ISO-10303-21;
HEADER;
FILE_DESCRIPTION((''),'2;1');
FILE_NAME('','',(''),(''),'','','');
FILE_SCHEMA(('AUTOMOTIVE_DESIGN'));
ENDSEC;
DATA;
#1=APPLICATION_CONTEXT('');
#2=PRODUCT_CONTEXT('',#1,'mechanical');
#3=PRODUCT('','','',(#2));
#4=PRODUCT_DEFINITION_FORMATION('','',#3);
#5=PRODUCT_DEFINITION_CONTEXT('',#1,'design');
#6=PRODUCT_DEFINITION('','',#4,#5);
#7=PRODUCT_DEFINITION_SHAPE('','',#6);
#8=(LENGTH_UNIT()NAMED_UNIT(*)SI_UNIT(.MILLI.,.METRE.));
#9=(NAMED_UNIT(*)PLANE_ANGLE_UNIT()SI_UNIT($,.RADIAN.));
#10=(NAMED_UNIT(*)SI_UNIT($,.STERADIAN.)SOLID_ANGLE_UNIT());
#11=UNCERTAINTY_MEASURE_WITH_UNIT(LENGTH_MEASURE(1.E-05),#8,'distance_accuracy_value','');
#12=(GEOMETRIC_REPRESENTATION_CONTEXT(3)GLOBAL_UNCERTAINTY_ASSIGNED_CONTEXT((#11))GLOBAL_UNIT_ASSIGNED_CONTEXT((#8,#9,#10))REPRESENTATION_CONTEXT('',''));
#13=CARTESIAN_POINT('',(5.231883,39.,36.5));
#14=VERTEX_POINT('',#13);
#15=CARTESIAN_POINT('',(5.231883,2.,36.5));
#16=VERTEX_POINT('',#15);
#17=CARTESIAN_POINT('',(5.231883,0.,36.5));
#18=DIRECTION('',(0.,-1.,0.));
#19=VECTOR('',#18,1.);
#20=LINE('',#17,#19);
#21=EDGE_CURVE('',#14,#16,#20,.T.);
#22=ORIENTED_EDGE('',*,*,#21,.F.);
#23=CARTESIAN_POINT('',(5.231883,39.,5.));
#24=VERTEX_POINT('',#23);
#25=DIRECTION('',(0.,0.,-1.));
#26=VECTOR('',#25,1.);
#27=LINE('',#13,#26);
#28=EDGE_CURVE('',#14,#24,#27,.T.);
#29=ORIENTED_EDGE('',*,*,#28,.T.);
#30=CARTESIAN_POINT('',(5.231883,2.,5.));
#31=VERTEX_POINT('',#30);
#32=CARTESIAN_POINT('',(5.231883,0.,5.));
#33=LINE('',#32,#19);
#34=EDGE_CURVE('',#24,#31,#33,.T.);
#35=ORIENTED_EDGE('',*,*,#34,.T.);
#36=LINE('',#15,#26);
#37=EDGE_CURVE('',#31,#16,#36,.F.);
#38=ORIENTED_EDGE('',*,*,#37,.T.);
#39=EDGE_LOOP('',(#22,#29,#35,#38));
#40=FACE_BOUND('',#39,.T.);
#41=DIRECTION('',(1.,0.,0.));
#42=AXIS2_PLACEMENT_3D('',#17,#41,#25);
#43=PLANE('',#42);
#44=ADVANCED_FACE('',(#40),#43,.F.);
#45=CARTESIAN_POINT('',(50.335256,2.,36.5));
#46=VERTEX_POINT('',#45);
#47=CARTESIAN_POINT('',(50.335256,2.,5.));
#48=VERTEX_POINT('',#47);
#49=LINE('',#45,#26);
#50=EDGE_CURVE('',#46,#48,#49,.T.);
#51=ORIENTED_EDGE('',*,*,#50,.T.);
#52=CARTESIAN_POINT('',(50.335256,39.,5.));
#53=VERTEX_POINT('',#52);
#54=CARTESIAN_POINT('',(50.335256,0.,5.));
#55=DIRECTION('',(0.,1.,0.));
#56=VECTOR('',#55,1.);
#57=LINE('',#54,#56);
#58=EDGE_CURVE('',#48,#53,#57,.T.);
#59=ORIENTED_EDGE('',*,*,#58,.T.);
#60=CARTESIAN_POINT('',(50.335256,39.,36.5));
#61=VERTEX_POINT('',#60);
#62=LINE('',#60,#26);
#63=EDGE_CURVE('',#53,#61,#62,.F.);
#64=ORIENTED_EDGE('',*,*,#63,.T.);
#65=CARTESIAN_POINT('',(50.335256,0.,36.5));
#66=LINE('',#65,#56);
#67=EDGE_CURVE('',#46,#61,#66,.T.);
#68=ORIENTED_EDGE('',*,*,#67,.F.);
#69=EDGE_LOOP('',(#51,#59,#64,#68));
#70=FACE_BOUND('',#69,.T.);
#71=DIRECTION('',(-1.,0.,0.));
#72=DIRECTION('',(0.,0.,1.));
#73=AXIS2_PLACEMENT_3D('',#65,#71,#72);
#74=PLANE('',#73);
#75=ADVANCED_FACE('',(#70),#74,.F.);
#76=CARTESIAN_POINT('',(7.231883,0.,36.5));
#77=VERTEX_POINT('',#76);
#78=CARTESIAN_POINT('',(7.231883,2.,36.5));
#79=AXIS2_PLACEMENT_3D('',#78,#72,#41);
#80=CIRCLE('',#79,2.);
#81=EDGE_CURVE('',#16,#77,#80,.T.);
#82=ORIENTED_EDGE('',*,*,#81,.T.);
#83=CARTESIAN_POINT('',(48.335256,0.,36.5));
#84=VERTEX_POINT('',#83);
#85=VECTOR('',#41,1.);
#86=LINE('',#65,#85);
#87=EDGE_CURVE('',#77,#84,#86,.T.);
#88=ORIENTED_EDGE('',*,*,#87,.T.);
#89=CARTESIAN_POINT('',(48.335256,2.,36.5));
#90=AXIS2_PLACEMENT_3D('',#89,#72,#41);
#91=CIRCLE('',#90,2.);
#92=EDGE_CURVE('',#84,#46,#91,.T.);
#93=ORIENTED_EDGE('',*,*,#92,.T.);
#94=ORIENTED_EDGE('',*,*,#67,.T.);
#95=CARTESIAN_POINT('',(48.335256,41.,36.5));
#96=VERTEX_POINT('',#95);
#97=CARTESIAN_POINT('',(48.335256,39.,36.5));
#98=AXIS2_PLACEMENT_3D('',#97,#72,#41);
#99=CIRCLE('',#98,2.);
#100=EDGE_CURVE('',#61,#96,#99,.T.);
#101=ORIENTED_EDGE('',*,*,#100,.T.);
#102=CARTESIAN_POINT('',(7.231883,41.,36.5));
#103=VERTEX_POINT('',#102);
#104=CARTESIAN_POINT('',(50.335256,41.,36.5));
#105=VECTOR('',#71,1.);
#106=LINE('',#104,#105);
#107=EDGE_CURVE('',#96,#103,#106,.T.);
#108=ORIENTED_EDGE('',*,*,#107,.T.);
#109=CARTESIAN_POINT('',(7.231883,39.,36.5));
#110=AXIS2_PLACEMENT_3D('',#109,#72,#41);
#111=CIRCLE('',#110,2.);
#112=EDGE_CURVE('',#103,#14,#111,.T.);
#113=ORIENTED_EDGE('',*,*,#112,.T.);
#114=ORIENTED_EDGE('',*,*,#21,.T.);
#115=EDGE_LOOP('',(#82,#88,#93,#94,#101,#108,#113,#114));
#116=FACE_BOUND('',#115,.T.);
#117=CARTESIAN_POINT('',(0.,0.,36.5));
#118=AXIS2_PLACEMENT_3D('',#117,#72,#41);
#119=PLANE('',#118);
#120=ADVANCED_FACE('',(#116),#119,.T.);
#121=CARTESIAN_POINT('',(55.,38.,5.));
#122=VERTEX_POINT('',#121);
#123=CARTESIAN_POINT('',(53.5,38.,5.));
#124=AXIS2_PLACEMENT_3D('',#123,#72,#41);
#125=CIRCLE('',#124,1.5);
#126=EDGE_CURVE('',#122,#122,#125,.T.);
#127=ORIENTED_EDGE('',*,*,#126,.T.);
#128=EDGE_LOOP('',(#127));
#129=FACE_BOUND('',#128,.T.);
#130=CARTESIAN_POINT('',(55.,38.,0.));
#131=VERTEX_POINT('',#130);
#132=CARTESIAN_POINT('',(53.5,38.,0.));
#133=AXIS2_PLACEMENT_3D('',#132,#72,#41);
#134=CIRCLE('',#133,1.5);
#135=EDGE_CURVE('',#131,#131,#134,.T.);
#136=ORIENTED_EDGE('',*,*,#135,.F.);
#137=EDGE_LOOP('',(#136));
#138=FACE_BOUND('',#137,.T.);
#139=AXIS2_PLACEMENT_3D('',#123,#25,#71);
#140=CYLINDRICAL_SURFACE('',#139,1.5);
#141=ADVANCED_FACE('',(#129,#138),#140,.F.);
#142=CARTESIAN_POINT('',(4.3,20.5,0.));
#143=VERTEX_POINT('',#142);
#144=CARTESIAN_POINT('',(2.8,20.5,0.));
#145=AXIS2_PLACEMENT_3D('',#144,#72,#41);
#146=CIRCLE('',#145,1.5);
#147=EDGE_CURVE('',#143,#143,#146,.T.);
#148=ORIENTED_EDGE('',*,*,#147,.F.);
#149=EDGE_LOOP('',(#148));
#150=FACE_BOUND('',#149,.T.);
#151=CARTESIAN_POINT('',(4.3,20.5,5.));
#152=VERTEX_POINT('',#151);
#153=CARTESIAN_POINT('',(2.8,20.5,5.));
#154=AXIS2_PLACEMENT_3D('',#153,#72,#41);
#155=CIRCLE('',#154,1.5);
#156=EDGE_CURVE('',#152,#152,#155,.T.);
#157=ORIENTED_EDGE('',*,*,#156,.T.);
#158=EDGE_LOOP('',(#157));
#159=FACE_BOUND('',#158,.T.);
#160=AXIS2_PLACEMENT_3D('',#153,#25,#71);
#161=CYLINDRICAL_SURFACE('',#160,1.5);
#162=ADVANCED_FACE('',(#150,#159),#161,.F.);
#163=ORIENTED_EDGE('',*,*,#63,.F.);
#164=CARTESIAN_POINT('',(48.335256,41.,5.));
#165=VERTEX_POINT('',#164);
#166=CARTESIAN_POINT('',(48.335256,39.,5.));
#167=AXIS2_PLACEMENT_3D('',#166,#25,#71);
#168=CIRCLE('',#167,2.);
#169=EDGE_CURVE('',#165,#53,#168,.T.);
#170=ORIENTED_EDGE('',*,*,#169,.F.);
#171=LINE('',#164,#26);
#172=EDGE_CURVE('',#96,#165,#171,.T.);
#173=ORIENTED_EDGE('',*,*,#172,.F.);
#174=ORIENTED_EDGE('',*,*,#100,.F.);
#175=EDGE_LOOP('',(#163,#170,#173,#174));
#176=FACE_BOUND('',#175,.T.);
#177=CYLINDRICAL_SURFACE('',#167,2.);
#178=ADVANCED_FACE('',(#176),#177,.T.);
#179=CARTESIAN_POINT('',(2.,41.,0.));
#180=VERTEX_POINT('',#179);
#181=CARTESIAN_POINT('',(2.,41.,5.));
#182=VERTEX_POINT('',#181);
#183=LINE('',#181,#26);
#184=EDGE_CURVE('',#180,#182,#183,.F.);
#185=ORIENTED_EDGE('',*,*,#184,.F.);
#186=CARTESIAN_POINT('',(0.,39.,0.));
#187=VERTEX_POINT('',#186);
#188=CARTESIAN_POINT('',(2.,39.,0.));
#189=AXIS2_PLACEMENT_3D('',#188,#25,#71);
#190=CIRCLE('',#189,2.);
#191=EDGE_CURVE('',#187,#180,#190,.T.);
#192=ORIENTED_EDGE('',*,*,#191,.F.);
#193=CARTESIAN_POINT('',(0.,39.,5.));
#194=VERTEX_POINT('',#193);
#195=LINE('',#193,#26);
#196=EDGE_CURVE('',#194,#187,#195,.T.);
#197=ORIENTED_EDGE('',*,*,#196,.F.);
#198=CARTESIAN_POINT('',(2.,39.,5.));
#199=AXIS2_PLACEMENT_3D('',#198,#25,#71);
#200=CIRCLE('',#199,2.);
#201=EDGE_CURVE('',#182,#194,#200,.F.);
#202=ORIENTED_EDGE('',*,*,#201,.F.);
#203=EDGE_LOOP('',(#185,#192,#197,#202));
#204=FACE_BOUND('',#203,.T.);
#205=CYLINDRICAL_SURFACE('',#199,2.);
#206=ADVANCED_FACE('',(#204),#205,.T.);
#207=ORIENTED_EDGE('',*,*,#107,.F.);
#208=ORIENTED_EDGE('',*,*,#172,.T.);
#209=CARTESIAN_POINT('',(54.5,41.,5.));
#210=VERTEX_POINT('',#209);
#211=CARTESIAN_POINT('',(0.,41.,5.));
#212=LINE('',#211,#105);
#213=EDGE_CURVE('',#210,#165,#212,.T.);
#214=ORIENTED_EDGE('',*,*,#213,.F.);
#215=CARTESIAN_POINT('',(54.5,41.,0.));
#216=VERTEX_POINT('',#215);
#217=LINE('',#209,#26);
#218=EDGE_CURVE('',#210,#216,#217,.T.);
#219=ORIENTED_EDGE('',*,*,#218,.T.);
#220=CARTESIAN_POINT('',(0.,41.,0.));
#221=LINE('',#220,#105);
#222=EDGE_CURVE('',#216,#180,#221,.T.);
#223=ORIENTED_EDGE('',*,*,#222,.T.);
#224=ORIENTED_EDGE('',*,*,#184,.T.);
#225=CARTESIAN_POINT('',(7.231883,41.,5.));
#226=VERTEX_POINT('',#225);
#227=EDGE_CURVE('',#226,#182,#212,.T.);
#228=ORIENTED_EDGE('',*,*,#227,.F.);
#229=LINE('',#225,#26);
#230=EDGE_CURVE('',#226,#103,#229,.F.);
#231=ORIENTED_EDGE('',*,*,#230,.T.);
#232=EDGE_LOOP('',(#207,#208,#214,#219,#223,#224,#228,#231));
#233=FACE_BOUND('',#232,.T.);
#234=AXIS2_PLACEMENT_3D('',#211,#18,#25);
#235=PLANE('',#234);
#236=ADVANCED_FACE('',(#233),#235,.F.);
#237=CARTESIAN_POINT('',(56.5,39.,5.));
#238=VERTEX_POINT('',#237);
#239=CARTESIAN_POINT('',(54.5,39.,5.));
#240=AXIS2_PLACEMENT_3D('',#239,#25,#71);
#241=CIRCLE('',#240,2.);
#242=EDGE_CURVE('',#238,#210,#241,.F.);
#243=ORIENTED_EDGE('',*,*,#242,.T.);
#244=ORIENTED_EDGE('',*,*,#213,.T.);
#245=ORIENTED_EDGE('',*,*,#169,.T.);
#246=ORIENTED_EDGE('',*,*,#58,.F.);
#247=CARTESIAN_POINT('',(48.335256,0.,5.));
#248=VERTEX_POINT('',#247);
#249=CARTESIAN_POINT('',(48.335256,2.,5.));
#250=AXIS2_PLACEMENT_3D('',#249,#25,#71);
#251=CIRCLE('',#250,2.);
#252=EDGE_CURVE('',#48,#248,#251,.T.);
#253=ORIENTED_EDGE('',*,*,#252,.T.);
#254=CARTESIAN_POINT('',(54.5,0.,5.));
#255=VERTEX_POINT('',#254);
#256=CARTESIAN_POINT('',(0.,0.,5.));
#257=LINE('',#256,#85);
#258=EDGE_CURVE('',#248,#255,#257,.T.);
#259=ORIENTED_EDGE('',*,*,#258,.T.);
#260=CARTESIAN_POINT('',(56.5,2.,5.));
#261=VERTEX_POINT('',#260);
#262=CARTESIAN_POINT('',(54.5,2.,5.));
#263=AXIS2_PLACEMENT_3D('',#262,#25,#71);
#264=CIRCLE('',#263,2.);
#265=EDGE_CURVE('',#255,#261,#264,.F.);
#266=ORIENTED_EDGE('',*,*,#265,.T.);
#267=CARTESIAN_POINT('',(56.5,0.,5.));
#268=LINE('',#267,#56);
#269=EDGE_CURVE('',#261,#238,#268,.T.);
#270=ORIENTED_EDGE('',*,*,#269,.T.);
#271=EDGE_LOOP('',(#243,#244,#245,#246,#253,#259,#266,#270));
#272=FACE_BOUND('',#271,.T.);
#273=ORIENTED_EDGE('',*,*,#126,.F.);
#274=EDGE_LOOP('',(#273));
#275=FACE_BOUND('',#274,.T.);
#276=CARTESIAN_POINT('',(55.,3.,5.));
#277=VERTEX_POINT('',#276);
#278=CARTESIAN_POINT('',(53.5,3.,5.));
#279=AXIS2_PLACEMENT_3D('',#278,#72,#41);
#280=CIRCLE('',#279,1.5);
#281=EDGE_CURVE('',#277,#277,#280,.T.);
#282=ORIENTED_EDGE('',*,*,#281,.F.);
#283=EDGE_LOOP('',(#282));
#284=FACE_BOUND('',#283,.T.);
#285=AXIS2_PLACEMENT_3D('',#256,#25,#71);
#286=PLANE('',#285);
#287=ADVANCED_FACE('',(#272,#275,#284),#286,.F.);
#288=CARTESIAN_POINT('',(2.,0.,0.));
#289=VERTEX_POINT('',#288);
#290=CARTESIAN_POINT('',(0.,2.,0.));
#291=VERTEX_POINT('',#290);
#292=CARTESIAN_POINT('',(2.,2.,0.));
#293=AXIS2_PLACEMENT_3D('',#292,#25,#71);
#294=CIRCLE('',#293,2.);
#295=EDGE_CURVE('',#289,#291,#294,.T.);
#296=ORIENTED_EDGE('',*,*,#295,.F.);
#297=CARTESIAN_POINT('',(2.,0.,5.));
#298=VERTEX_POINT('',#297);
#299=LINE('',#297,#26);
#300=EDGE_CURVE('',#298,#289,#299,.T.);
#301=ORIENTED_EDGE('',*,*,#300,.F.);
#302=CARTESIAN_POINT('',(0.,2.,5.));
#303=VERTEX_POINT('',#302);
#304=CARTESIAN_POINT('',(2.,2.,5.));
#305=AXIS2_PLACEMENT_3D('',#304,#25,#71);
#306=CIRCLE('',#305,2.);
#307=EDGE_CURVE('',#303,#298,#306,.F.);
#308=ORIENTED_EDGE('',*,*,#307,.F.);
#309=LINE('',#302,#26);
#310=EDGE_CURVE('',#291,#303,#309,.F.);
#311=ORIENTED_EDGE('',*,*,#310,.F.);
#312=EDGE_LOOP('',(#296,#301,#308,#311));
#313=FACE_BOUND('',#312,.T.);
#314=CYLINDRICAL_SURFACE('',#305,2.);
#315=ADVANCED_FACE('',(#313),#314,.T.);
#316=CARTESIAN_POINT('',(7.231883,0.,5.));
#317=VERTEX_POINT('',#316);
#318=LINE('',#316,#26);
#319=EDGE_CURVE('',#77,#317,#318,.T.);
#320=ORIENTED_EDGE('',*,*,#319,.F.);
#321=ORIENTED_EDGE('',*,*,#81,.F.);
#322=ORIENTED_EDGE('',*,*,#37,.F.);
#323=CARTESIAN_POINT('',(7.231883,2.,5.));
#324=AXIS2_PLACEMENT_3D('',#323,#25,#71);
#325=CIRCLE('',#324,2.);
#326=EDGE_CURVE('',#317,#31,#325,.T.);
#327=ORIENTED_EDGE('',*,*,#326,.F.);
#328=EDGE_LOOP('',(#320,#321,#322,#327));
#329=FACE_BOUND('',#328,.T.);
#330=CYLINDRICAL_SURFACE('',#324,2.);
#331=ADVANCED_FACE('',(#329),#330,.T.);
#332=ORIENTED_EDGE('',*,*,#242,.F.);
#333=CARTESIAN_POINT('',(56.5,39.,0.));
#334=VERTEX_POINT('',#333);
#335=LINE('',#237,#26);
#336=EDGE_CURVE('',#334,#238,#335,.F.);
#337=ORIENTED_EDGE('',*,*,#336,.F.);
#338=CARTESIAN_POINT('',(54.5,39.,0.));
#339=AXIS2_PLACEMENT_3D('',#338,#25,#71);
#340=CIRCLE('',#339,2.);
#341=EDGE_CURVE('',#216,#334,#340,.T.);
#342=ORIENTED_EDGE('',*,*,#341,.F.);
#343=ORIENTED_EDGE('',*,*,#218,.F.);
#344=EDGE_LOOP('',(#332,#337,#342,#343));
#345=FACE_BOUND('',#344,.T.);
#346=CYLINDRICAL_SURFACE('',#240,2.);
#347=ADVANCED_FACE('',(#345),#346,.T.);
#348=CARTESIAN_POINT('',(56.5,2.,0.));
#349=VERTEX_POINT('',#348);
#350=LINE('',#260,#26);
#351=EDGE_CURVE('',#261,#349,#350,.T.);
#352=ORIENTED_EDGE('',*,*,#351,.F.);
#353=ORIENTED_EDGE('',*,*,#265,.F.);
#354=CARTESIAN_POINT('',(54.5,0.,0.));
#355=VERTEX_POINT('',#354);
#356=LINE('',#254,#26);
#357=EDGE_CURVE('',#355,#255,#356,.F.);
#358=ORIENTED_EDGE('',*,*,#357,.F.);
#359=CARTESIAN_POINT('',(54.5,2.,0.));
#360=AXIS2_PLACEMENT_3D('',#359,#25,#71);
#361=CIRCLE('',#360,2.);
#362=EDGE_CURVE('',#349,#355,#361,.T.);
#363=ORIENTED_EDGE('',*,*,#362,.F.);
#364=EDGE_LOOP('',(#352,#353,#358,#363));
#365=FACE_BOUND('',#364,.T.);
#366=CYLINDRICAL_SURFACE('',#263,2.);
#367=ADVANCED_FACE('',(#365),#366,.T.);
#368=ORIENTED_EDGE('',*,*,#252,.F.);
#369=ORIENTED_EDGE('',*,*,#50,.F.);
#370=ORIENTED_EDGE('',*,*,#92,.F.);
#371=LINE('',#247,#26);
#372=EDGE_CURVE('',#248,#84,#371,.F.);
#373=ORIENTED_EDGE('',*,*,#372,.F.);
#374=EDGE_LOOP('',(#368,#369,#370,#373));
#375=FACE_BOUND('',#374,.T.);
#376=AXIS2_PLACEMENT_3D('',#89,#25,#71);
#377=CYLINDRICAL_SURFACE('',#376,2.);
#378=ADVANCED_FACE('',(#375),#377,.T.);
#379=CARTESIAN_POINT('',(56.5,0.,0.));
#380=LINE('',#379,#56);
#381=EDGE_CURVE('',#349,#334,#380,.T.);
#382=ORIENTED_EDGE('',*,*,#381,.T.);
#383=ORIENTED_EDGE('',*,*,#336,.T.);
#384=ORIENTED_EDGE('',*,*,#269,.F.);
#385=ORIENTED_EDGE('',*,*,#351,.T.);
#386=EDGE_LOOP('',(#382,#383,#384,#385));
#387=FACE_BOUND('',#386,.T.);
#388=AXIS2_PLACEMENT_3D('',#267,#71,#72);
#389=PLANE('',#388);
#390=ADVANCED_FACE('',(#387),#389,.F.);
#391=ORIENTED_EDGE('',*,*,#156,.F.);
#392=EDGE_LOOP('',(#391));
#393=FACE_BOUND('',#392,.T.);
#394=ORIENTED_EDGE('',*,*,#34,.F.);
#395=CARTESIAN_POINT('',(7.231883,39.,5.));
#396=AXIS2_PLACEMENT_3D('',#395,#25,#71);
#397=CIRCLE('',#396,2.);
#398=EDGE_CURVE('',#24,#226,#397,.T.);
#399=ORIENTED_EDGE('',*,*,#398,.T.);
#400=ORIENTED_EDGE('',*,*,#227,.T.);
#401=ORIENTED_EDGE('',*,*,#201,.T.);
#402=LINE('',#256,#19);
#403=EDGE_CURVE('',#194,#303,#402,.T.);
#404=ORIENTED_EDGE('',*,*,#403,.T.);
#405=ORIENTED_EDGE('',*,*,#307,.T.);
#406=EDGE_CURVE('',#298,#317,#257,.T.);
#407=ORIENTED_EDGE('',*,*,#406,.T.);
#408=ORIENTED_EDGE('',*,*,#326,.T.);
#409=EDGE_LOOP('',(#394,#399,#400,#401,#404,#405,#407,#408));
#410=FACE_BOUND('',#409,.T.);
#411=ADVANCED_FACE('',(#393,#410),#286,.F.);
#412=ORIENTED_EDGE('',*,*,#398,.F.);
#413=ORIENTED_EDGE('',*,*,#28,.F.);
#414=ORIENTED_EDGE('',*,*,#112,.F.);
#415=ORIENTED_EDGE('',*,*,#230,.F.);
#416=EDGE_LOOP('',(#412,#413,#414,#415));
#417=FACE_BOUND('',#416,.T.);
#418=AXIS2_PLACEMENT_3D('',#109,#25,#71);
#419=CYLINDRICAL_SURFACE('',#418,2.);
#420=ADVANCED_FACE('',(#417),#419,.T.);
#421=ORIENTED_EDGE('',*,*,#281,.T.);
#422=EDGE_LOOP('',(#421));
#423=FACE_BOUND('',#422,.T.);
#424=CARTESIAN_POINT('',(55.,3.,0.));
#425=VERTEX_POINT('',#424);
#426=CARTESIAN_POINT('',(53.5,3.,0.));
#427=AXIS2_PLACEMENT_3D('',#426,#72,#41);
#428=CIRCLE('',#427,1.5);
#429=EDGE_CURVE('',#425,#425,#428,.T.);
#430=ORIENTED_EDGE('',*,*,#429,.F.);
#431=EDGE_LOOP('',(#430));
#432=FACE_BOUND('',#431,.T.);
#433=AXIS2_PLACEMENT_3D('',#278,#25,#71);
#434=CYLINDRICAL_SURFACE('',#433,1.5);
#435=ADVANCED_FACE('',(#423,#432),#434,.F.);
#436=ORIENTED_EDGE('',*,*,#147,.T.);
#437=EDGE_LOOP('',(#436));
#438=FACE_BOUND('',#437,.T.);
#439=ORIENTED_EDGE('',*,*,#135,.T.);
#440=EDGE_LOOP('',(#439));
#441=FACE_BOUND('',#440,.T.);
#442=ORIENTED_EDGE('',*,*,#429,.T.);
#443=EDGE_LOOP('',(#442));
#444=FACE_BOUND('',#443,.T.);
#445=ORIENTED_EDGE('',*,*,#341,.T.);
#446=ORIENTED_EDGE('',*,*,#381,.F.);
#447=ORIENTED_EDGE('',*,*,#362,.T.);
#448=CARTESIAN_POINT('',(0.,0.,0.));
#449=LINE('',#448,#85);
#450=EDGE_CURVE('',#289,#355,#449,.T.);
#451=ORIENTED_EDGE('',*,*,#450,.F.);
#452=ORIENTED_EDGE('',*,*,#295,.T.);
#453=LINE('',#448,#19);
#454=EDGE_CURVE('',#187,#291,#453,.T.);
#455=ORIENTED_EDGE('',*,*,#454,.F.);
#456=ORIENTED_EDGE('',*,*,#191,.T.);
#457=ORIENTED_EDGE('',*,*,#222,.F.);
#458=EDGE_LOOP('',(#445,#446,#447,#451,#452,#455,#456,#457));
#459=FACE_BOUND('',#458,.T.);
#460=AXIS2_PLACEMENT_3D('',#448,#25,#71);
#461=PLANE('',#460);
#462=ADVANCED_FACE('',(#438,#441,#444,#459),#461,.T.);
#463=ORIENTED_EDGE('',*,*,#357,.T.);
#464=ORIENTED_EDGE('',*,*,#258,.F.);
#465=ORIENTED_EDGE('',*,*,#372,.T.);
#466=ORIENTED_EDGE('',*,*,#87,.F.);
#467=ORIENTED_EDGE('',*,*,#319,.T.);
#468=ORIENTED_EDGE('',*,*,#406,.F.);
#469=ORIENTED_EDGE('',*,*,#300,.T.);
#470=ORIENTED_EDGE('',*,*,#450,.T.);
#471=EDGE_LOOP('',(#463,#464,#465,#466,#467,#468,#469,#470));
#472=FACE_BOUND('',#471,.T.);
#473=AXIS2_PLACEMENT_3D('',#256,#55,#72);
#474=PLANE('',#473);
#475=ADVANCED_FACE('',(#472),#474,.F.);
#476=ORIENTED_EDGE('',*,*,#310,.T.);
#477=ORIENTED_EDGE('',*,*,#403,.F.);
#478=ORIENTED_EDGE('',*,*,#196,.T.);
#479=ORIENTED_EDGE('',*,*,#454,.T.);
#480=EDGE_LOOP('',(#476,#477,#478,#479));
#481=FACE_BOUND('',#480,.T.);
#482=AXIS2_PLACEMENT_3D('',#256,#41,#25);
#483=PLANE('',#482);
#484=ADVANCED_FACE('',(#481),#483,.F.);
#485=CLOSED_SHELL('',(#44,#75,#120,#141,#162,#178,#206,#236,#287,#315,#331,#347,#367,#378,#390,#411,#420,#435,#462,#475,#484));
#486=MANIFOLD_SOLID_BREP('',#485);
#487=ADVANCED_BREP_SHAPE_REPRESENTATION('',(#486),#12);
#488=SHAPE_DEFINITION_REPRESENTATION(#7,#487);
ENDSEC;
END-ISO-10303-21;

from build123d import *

# Parameters (mm, degrees)
SKETCH_1_W      = 56.5
SKETCH_1_H      = 41
SKETCH_1_R      = 1.5
EXTRUDE_1_DEPTH = 5
FILLET_1_R      = 2
SKETCH_2_W      = 45.103373127
SKETCH_2_H      = 41
EXTRUDE_2_DEPTH = 31.5
FILLET_2_R      = 2


with BuildPart() as part:
    # 草图1 → 凸台-拉伸1 (new body)
    with BuildSketch(Plane.XY):
        with Locations((28.25, 20.5)):
            Rectangle(SKETCH_1_W, SKETCH_1_H)
        with Locations((2.8, 20.5)):
            Circle(SKETCH_1_R, mode=Mode.SUBTRACT)
        with Locations((53.5, 38)):
            Circle(SKETCH_1_R, mode=Mode.SUBTRACT)
        with Locations((53.5, 3)):
            Circle(SKETCH_1_R, mode=Mode.SUBTRACT)
    extrude(amount=EXTRUDE_1_DEPTH)

    # 圆角1
    fillet_1_edges = [part.edges().sort_by_distance(p)[0] for p in [
        (0, 41, 2.5),
        (56.5, 41, 2.5),
        (56.5, 0, 2.5),
        (0, 0, 2.5),
    ]]
    fillet(fillet_1_edges, radius=FILLET_1_R)

    # 草图2 → 凸台-拉伸2 (add)
    with BuildSketch(Plane.XY.offset(5)):
        with Locations((27.783569507, 20.5)):
            Rectangle(SKETCH_2_W, SKETCH_2_H)
    extrude(amount=EXTRUDE_2_DEPTH)

    # 圆角2
    fillet_2_edges = [part.edges().sort_by_distance(p)[0] for p in [
        (50.33525607, 0, 20.75),
        (50.33525607, 41, 20.75),
        (5.231882943, 41, 20.75),
        (5.231882943, 0, 20.75),
    ]]
    fillet(fillet_2_edges, radius=FILLET_2_R)


solid = part.part
